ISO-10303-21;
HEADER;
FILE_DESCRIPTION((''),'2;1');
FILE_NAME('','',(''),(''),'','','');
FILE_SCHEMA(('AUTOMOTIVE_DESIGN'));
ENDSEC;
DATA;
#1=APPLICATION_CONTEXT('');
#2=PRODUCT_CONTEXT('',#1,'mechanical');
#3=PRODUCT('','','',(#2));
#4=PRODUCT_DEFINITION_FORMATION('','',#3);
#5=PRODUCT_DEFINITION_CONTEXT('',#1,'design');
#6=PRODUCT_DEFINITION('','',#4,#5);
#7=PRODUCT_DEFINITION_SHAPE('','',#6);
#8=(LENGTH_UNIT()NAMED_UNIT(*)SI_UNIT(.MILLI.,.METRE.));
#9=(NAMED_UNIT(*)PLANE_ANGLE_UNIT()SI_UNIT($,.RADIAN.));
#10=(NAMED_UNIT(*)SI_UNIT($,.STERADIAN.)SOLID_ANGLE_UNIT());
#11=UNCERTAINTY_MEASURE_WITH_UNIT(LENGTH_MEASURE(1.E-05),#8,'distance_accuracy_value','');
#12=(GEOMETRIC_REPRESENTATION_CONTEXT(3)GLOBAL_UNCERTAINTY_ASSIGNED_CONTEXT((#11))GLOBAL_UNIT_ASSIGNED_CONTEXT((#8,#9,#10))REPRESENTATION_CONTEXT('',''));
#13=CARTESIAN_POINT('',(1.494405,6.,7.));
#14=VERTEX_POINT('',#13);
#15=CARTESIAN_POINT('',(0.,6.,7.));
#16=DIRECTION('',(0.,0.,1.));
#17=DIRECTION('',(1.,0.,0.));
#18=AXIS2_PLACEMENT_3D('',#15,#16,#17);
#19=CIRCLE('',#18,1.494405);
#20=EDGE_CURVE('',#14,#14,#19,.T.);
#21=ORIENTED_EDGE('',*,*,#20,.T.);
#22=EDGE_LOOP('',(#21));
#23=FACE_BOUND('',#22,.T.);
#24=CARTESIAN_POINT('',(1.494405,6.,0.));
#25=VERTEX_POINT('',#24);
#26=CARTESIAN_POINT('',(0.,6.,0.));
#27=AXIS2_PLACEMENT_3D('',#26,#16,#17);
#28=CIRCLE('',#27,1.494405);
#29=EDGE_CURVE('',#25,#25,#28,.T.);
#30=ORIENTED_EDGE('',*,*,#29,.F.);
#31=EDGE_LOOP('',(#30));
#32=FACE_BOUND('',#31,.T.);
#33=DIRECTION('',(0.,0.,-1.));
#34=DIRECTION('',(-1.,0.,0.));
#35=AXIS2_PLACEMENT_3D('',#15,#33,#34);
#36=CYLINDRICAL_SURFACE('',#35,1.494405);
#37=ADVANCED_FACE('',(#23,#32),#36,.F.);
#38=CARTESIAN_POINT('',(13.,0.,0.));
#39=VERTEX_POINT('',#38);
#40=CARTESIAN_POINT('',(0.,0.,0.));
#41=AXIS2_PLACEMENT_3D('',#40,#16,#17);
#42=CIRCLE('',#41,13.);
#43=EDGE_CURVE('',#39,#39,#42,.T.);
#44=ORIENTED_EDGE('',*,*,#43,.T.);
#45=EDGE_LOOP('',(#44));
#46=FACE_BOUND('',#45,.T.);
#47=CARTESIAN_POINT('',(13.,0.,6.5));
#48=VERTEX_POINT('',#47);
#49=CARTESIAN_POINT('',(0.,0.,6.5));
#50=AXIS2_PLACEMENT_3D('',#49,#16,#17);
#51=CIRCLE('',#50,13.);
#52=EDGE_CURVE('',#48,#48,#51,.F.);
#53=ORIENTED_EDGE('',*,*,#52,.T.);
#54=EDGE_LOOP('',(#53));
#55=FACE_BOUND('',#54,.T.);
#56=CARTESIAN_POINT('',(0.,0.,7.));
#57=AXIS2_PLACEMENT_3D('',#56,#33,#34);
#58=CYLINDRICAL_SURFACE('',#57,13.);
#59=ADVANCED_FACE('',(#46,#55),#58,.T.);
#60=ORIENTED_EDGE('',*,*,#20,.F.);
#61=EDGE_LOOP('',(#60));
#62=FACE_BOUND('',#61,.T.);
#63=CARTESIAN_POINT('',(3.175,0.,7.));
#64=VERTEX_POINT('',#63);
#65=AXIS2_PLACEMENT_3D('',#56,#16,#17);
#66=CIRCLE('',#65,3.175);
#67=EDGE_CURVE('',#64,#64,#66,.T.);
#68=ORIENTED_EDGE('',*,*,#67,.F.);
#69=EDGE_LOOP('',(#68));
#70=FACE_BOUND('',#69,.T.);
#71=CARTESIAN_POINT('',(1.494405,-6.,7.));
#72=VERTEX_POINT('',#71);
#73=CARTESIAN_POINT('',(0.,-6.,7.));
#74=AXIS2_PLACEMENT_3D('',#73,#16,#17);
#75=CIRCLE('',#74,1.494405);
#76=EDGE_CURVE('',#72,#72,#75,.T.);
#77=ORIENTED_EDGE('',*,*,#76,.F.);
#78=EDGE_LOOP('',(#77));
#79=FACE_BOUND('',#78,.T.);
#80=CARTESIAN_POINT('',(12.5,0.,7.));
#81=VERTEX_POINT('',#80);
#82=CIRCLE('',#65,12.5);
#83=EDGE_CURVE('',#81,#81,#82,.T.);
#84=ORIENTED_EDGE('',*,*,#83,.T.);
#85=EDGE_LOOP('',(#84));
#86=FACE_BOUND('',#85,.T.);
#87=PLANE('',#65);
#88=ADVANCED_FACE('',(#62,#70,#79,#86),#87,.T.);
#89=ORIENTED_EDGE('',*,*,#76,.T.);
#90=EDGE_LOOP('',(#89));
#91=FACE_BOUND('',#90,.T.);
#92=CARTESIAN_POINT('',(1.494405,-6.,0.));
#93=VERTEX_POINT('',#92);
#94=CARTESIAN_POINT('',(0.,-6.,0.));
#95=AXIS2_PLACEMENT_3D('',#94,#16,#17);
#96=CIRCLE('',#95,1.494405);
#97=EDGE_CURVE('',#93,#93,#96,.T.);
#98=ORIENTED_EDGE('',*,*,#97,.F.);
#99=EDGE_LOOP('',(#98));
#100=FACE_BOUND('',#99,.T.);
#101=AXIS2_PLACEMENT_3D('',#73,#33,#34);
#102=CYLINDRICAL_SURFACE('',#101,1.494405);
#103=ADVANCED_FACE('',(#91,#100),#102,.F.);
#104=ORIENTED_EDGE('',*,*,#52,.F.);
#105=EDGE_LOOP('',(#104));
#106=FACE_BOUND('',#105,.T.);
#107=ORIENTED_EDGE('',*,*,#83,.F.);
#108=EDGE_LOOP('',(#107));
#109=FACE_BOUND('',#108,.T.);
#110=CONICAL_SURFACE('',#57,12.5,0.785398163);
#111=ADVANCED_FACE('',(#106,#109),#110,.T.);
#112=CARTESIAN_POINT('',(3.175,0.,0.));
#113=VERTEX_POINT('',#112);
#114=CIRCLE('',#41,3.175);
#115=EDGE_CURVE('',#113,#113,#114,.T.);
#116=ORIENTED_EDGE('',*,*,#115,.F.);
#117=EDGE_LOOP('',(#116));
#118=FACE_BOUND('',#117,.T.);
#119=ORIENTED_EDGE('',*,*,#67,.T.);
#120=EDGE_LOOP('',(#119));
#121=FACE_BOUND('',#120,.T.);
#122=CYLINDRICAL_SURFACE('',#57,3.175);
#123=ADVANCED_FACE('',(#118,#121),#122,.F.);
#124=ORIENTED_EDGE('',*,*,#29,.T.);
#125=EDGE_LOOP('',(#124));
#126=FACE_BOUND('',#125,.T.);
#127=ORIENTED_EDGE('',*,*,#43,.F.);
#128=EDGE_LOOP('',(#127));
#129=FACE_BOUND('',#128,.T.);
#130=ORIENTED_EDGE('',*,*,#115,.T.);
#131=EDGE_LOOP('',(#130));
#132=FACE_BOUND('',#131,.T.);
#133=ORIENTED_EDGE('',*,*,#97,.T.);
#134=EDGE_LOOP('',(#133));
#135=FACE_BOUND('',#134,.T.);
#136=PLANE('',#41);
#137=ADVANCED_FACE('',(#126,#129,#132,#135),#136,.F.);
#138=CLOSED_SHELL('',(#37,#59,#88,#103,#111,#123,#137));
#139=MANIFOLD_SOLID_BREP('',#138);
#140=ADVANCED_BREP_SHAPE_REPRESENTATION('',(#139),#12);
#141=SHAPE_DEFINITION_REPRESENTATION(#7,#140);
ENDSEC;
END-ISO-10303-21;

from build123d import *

# Parameters (mm, degrees)
SKETCH_1_R      = 13
SKETCH_1_R_2    = 3.175
SKETCH_1_R_3    = 1.494405319
EXTRUDE_1_DEPTH = 7
CHAMFER_1_SIZE  = 0.5


with BuildPart() as part:
    # Эскиз1 → Вытянуть1 (new body)
    with BuildSketch(Plane.XY):
        Circle(SKETCH_1_R)
        Circle(SKETCH_1_R_2, mode=Mode.SUBTRACT)
        with Locations((0, 6)):
            Circle(SKETCH_1_R_3, mode=Mode.SUBTRACT)
        with Locations((0, -6)):
            Circle(SKETCH_1_R_3, mode=Mode.SUBTRACT)
    extrude(amount=EXTRUDE_1_DEPTH)

    # Фаска1
    chamfer_1_edges = [part.edges().sort_by_distance(p)[0] for p in [
        (-13, 0, 7),
    ]]
    chamfer(chamfer_1_edges, length=CHAMFER_1_SIZE)


solid = part.part
